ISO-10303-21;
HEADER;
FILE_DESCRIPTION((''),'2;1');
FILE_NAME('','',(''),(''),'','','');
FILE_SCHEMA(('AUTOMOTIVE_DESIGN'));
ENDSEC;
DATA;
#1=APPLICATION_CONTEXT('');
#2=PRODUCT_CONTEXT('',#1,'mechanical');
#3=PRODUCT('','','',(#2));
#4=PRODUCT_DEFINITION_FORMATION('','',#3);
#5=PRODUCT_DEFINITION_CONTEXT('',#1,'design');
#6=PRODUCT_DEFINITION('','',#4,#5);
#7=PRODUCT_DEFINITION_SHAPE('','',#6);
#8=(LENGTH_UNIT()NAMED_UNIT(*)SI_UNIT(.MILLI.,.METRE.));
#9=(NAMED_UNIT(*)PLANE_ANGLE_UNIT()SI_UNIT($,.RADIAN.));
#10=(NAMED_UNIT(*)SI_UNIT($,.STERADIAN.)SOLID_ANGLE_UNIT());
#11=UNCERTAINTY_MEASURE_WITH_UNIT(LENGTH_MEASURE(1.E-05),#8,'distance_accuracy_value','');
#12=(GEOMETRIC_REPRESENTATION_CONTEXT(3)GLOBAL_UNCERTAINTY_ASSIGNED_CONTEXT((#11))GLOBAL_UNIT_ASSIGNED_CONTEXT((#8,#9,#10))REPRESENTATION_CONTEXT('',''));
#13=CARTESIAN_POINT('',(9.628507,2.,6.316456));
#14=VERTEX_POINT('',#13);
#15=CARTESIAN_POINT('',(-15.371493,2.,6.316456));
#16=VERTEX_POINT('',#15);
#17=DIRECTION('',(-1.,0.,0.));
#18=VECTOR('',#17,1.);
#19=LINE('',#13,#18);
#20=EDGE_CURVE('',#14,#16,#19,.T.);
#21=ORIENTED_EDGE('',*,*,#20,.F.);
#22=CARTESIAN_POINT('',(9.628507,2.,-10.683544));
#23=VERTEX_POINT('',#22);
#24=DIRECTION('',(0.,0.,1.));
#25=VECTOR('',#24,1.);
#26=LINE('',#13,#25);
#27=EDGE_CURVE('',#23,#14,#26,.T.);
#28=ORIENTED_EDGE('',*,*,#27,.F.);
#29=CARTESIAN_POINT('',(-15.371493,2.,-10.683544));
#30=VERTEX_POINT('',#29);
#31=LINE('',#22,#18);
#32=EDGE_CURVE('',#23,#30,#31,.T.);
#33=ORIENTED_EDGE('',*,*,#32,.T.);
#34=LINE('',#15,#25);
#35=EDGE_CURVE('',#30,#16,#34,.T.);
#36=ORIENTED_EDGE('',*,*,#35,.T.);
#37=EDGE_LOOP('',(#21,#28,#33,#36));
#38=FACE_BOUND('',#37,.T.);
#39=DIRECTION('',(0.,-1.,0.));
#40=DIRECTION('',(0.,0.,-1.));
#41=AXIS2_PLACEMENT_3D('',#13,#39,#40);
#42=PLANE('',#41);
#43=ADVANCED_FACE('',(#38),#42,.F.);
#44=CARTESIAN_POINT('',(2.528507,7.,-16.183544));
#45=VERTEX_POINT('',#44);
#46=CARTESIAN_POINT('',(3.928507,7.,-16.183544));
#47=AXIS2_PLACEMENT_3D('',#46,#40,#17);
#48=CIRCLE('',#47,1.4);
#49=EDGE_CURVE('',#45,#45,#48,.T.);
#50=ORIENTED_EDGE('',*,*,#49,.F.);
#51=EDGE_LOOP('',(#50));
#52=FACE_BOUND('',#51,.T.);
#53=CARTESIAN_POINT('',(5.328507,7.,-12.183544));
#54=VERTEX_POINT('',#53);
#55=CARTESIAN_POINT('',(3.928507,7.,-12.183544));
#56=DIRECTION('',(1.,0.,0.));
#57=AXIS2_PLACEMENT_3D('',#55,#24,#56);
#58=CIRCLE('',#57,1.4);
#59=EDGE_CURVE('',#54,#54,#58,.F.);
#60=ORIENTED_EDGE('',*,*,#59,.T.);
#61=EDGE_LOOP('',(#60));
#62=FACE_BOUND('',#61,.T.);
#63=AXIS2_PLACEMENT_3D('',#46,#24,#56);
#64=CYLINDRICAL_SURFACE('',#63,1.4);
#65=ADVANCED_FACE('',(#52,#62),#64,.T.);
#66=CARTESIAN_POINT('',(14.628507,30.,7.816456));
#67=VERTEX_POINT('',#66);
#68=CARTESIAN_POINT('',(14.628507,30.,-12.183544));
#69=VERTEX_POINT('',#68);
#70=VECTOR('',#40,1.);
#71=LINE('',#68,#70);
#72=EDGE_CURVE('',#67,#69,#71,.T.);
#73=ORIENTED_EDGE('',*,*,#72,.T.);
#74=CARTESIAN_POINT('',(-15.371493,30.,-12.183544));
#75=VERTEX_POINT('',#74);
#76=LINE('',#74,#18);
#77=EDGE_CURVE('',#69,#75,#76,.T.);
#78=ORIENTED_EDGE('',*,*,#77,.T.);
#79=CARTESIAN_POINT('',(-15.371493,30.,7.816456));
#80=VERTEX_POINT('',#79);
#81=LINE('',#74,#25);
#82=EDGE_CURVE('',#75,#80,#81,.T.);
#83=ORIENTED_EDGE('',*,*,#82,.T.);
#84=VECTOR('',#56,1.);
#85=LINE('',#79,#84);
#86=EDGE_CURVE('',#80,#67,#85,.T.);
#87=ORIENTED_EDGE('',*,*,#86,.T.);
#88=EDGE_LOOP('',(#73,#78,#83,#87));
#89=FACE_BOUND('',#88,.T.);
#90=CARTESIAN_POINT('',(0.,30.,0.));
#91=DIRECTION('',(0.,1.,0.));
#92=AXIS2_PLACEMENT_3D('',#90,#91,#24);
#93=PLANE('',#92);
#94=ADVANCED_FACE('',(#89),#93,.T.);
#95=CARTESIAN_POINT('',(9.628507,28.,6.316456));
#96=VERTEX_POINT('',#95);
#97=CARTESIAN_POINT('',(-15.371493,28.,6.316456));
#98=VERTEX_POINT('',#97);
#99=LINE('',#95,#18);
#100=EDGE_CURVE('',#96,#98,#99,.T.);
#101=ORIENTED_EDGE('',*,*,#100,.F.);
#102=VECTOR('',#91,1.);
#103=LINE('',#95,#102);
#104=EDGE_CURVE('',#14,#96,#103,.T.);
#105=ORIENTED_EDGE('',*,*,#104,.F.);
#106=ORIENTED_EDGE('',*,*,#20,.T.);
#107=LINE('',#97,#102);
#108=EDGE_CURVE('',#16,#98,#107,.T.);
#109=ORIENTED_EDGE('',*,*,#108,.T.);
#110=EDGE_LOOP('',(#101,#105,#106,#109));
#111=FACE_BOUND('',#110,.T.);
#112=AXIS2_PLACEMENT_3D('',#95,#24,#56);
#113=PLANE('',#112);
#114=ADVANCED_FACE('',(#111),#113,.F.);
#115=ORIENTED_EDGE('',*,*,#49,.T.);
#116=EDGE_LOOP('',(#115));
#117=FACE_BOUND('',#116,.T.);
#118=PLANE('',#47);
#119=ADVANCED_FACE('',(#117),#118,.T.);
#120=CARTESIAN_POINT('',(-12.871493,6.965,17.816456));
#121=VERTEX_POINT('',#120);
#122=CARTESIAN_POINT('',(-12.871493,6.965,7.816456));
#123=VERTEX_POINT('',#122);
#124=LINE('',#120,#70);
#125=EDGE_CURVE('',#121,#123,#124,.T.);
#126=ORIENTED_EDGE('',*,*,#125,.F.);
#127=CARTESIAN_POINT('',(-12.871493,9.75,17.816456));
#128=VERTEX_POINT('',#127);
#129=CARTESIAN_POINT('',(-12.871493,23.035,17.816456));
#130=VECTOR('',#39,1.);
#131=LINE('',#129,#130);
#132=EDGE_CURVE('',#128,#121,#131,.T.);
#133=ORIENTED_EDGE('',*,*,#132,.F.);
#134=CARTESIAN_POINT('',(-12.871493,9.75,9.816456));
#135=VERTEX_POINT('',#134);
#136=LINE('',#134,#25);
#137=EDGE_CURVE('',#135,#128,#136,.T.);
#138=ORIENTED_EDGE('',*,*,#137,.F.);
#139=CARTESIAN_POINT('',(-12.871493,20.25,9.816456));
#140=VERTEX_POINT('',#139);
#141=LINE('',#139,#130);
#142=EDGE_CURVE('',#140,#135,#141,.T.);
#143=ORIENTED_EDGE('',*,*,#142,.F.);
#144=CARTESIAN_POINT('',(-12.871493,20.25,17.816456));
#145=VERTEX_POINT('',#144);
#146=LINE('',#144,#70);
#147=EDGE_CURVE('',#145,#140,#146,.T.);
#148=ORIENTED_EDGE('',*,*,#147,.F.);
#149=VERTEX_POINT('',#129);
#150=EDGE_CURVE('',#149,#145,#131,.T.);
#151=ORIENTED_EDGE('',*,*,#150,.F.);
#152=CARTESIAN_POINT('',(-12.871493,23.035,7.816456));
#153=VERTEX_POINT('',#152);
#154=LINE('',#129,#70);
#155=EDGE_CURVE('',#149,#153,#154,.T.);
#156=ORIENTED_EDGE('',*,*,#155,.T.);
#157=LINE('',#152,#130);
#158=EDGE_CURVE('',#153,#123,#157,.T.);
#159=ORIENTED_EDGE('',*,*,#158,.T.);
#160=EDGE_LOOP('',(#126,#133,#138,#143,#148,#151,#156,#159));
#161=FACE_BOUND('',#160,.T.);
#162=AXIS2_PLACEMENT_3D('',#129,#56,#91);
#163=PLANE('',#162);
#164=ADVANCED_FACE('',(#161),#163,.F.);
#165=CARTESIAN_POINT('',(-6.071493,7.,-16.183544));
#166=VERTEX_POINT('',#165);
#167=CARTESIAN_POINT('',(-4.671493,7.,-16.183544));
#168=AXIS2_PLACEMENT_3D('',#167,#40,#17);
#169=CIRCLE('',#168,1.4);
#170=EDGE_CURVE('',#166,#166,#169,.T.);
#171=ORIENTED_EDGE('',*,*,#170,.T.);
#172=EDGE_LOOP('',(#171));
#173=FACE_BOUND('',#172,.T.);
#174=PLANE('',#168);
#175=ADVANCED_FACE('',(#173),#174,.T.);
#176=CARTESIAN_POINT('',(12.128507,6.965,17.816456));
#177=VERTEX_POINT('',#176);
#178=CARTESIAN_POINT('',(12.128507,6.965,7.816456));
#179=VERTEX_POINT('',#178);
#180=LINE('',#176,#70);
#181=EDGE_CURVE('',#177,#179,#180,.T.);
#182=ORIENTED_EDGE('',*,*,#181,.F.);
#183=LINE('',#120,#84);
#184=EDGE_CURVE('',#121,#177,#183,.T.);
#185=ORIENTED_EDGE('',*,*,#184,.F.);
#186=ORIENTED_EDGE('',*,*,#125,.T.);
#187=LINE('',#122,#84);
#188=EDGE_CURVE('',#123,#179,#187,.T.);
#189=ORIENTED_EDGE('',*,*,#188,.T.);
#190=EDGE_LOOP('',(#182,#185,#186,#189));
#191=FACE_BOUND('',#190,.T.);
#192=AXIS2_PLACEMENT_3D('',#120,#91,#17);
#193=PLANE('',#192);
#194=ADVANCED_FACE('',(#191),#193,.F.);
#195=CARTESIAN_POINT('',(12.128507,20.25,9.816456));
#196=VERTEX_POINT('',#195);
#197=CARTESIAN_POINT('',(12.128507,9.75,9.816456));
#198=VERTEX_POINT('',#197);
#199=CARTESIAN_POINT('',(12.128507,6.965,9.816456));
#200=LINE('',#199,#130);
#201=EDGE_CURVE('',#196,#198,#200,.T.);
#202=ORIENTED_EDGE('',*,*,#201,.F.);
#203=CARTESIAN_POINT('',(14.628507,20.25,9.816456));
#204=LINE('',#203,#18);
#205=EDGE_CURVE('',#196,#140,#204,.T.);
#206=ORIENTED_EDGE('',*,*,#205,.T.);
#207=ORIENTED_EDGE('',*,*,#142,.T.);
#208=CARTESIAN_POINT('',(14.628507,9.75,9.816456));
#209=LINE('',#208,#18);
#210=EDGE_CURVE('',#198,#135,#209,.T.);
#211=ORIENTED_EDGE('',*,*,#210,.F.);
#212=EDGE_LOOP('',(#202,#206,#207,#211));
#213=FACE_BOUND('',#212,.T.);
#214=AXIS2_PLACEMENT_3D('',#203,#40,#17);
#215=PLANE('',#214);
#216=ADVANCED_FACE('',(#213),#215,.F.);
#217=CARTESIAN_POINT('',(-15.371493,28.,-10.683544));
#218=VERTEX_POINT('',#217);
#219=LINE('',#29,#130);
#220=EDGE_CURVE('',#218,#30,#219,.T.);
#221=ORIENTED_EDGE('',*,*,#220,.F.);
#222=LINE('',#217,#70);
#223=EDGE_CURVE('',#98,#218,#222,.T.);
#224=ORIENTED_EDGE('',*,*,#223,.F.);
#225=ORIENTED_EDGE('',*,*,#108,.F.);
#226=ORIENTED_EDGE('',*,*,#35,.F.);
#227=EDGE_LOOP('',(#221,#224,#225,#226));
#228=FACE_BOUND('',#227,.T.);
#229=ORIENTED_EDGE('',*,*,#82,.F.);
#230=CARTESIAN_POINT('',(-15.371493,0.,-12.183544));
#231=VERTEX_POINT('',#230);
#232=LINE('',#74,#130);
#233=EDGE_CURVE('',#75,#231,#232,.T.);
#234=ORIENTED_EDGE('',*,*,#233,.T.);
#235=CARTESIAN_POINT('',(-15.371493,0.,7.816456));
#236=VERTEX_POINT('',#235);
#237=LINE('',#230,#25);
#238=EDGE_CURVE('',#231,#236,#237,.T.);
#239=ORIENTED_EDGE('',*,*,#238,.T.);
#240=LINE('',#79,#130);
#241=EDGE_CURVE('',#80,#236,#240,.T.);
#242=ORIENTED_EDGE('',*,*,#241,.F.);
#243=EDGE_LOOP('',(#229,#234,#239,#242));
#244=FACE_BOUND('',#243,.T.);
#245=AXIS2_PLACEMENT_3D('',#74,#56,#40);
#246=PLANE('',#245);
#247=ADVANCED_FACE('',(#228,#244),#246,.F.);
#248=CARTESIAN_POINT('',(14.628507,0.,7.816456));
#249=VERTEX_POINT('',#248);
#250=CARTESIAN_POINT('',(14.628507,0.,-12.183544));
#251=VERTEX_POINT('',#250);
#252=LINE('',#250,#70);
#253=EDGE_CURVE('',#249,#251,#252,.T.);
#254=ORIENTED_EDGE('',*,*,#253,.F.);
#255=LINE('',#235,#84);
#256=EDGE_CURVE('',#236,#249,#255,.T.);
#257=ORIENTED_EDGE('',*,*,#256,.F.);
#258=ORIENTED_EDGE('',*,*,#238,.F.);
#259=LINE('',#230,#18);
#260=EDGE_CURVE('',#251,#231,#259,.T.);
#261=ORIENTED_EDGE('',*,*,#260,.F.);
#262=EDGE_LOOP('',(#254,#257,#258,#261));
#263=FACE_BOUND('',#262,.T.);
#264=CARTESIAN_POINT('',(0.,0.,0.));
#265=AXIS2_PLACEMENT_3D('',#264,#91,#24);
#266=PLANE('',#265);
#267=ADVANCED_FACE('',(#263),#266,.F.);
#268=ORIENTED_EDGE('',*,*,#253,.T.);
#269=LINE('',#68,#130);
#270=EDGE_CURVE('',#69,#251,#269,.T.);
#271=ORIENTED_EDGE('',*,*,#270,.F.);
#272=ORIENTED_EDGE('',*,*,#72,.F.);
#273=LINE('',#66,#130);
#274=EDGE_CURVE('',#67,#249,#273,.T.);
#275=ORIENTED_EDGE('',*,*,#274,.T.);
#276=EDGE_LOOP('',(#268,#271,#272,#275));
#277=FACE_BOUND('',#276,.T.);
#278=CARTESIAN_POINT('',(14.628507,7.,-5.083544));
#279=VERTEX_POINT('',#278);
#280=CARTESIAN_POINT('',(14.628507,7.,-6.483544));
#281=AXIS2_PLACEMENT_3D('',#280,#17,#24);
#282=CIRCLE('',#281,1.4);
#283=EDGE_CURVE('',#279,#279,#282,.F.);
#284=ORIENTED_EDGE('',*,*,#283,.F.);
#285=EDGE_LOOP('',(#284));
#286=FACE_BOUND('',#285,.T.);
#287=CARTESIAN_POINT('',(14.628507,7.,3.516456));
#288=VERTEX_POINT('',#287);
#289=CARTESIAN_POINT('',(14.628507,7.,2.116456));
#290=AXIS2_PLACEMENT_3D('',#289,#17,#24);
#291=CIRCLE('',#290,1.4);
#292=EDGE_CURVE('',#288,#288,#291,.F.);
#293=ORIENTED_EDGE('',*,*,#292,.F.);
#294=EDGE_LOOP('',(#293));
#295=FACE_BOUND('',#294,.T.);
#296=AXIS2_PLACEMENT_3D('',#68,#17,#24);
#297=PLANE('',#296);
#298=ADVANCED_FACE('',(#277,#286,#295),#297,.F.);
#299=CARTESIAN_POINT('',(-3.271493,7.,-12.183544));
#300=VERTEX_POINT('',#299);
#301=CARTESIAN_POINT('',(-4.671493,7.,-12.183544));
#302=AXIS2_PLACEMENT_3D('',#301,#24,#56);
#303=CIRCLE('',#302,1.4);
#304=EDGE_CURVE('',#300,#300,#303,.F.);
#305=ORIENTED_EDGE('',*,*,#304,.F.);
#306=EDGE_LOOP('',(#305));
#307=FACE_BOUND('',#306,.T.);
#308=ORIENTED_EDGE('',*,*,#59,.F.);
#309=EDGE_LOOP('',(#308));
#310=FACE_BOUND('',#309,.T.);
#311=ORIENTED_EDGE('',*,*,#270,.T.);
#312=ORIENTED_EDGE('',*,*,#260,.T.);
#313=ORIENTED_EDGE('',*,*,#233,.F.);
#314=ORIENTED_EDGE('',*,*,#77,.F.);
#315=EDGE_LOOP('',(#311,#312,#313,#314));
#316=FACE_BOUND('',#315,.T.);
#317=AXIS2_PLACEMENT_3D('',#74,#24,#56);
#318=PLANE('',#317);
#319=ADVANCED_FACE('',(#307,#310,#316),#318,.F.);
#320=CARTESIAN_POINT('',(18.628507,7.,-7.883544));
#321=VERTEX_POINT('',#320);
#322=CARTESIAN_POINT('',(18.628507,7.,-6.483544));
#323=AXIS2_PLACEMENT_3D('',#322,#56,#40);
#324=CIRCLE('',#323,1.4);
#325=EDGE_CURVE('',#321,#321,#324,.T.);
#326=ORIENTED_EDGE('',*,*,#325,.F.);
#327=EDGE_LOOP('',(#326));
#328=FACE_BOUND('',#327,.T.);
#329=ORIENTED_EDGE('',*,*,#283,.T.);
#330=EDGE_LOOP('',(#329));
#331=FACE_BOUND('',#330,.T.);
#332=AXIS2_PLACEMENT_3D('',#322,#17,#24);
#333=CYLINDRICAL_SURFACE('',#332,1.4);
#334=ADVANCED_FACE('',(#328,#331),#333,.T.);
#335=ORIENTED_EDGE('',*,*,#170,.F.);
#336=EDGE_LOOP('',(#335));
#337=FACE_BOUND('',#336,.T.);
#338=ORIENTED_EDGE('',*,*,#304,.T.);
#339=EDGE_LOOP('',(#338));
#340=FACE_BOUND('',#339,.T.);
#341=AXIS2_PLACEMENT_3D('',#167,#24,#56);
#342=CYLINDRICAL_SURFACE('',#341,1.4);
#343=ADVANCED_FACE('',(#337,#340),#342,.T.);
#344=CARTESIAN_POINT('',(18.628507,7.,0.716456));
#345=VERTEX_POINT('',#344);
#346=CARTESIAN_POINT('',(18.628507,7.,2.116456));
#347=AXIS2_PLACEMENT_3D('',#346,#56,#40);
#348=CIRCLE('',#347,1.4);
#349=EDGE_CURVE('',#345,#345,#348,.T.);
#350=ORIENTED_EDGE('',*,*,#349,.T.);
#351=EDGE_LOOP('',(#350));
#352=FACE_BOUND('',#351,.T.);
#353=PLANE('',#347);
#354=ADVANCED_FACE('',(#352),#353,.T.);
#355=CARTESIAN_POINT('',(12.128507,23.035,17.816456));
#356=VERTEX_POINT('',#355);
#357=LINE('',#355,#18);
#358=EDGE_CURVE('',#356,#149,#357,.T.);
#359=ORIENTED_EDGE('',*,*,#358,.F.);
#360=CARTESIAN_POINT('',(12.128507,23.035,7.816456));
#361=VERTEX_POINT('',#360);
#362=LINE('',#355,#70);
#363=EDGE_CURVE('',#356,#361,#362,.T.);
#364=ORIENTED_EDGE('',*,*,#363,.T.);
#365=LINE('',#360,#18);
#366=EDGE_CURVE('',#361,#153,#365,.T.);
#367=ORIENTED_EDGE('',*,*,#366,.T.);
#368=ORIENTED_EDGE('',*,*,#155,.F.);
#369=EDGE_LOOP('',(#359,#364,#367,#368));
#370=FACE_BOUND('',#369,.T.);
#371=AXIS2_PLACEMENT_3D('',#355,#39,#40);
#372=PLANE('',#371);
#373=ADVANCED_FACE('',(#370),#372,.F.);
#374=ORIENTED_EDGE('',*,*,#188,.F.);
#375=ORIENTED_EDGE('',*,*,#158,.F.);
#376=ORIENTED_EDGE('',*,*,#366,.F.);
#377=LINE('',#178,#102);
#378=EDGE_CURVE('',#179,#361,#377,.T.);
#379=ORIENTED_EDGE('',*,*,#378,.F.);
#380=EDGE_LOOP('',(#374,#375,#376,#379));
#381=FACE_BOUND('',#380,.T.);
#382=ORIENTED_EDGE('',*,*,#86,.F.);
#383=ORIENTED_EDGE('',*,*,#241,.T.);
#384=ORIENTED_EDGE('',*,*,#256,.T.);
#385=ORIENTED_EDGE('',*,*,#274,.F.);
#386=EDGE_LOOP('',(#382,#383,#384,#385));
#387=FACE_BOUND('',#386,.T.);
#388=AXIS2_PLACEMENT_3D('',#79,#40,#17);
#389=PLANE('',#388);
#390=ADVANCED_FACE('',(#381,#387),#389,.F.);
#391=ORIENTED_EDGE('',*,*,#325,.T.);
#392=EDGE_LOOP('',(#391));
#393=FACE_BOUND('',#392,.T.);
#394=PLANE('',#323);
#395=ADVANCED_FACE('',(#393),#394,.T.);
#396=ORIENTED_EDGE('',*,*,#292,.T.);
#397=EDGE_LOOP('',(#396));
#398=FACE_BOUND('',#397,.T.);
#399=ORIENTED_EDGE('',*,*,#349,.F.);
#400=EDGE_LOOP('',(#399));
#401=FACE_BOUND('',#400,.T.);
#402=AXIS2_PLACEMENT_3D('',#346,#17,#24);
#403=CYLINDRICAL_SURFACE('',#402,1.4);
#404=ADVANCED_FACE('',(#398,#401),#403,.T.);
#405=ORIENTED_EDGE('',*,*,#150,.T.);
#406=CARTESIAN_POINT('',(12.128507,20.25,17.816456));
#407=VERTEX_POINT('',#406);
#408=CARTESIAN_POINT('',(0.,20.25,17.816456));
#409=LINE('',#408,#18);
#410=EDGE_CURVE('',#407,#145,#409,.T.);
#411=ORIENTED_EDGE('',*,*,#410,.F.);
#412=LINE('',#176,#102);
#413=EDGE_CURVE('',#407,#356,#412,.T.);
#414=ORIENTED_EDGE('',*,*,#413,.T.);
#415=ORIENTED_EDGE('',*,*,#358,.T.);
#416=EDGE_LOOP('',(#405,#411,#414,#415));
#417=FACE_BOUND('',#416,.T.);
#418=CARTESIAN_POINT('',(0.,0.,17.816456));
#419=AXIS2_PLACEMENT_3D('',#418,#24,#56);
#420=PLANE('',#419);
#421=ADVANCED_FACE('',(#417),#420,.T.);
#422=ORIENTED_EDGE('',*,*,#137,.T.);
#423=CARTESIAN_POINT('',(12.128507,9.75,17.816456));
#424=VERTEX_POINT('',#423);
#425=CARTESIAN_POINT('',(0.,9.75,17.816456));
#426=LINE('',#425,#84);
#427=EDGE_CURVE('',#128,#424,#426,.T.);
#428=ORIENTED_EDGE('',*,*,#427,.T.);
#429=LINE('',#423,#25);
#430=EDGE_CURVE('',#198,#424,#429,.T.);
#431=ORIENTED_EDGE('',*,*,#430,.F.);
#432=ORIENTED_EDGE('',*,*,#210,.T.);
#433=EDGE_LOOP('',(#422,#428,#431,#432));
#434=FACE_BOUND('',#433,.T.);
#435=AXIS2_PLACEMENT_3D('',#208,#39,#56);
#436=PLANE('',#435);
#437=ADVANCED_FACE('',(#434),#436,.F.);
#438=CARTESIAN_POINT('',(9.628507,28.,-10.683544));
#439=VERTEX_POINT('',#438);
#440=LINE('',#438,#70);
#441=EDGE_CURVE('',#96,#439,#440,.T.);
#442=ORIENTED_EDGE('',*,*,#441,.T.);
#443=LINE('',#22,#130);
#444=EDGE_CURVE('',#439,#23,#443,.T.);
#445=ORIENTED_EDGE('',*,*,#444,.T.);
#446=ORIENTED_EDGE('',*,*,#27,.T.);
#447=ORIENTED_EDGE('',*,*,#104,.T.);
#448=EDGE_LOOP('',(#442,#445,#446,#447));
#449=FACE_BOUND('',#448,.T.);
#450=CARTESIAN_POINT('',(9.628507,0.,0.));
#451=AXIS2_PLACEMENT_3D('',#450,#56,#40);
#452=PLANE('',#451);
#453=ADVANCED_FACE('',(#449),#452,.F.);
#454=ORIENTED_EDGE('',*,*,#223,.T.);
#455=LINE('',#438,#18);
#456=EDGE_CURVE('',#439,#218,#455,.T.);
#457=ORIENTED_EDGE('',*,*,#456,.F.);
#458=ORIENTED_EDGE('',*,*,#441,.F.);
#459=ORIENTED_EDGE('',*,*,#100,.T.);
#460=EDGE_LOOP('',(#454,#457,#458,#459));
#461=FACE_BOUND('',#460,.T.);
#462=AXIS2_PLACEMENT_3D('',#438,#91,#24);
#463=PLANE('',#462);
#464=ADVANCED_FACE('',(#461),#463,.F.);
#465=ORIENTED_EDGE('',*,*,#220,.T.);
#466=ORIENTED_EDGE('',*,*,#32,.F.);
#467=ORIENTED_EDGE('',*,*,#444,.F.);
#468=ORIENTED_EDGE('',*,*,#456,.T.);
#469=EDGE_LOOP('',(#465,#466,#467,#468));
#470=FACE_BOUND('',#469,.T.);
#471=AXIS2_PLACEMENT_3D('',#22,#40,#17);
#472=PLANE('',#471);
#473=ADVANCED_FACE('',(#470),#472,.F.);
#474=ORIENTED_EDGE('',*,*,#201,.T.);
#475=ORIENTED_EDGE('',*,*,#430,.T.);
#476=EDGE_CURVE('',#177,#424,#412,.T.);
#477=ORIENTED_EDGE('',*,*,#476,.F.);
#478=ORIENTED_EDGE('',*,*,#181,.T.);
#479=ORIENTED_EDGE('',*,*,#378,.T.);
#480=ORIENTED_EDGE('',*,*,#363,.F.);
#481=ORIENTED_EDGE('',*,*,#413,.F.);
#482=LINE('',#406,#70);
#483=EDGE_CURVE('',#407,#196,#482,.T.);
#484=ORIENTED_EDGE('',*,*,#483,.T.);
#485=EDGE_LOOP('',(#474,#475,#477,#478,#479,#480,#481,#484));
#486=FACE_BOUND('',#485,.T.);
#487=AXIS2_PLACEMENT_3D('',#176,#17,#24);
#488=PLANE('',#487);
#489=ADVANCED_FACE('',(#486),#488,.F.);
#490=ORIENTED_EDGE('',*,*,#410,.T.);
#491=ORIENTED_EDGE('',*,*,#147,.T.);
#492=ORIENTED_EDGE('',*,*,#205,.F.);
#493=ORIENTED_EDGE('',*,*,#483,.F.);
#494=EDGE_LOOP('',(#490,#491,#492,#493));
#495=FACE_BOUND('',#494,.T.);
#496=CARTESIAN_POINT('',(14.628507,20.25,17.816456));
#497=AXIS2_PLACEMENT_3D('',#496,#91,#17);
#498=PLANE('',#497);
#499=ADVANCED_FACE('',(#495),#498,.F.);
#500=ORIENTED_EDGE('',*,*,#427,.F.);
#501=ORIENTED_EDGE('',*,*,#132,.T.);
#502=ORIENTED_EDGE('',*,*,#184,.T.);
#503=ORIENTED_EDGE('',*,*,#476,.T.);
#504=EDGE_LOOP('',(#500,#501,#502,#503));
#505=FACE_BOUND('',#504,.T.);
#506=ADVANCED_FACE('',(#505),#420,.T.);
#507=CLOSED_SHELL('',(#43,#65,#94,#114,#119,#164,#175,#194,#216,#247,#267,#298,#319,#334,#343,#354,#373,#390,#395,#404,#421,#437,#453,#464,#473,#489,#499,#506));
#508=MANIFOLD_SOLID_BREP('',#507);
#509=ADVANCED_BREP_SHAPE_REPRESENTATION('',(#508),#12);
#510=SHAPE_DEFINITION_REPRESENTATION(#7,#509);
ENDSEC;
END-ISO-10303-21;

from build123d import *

# Parameters (mm, degrees)
SKETCH_1_W          = 30
SKETCH_1_H          = 20
EXTRUDE_1_DEPTH     = 30
SKETCH_3_W          = 25
SKETCH_3_H          = 16.07
EXTRUDE_2_DEPTH     = 10
SKETCH_7_W          = 8
SKETCH_7_H          = 10.5
CUT_EXTRUDE_1_DEPTH = 45.426074479
SKETCH_9_W          = 17
SKETCH_9_H          = 26
CUT_EXTRUDE_2_DEPTH = 25
SKETCH_11_R         = 1.4
EXTRUDE_3_DEPTH     = 4
SKETCH_12_R         = 1.4
EXTRUDE_4_DEPTH     = 4


with BuildPart() as part:
    # 草图1 → 凸台-拉伸1 (new body)
    with BuildSketch(Plane(origin=(0, 0, 0), x_dir=(1, 0, 0), z_dir=(0, 1, 0))):
        with Locations((-0.371492922, 2.183544304)):
            Rectangle(SKETCH_1_W, SKETCH_1_H)
    extrude(amount=EXTRUDE_1_DEPTH)

    # 草图3 → 凸台-拉伸2 (add)
    with BuildSketch(Plane.XY.offset(7.816455696)):
        with Locations((-0.371492922, 15)):
            Rectangle(SKETCH_3_W, SKETCH_3_H)
    extrude(amount=EXTRUDE_2_DEPTH)

    # 草图7 → 切除-拉伸1 (cut, through all)
    with BuildSketch(Plane.ZY.offset(12.871492922)):
        with Locations((13.816455696, 15)):
            Rectangle(SKETCH_7_W, SKETCH_7_H)
    extrude(amount=-CUT_EXTRUDE_1_DEPTH, mode=Mode.SUBTRACT)

    # 草图9 → 切除-拉伸2 (cut)
    with BuildSketch(Plane.ZY.offset(15.371492922)):
        with Locations((-2.183544304, 15)):
            Rectangle(SKETCH_9_W, SKETCH_9_H)
    extrude(amount=-CUT_EXTRUDE_2_DEPTH, mode=Mode.SUBTRACT)

    # 草图11 → 凸台-拉伸3 (add)
    with BuildSketch(Plane(origin=(14.628507078, 0, 0), x_dir=(0, 0, -1), z_dir=(1, 0, 0))):
        with Locations(Location((-2.116455696, 7, 0), (0, 0, 180))):
            Circle(SKETCH_11_R)
        with Locations(Location((6.483544304, 7, 0), (0, 0, 180))):
            Circle(SKETCH_11_R)
    extrude(amount=EXTRUDE_3_DEPTH)

    # 草图12 → 凸台-拉伸4 (add)
    with BuildSketch(Plane(origin=(0, 0, -12.183544304), x_dir=(-1, 0, 0), z_dir=(0, 0, -1))):
        with Locations(Location((-3.928507078, 7, 0), (0, 0, 180))):
            Circle(SKETCH_12_R)
        with Locations(Location((4.671492922, 7, 0), (0, 0, 180))):
            Circle(SKETCH_12_R)
    extrude(amount=EXTRUDE_4_DEPTH)


solid = part.part
